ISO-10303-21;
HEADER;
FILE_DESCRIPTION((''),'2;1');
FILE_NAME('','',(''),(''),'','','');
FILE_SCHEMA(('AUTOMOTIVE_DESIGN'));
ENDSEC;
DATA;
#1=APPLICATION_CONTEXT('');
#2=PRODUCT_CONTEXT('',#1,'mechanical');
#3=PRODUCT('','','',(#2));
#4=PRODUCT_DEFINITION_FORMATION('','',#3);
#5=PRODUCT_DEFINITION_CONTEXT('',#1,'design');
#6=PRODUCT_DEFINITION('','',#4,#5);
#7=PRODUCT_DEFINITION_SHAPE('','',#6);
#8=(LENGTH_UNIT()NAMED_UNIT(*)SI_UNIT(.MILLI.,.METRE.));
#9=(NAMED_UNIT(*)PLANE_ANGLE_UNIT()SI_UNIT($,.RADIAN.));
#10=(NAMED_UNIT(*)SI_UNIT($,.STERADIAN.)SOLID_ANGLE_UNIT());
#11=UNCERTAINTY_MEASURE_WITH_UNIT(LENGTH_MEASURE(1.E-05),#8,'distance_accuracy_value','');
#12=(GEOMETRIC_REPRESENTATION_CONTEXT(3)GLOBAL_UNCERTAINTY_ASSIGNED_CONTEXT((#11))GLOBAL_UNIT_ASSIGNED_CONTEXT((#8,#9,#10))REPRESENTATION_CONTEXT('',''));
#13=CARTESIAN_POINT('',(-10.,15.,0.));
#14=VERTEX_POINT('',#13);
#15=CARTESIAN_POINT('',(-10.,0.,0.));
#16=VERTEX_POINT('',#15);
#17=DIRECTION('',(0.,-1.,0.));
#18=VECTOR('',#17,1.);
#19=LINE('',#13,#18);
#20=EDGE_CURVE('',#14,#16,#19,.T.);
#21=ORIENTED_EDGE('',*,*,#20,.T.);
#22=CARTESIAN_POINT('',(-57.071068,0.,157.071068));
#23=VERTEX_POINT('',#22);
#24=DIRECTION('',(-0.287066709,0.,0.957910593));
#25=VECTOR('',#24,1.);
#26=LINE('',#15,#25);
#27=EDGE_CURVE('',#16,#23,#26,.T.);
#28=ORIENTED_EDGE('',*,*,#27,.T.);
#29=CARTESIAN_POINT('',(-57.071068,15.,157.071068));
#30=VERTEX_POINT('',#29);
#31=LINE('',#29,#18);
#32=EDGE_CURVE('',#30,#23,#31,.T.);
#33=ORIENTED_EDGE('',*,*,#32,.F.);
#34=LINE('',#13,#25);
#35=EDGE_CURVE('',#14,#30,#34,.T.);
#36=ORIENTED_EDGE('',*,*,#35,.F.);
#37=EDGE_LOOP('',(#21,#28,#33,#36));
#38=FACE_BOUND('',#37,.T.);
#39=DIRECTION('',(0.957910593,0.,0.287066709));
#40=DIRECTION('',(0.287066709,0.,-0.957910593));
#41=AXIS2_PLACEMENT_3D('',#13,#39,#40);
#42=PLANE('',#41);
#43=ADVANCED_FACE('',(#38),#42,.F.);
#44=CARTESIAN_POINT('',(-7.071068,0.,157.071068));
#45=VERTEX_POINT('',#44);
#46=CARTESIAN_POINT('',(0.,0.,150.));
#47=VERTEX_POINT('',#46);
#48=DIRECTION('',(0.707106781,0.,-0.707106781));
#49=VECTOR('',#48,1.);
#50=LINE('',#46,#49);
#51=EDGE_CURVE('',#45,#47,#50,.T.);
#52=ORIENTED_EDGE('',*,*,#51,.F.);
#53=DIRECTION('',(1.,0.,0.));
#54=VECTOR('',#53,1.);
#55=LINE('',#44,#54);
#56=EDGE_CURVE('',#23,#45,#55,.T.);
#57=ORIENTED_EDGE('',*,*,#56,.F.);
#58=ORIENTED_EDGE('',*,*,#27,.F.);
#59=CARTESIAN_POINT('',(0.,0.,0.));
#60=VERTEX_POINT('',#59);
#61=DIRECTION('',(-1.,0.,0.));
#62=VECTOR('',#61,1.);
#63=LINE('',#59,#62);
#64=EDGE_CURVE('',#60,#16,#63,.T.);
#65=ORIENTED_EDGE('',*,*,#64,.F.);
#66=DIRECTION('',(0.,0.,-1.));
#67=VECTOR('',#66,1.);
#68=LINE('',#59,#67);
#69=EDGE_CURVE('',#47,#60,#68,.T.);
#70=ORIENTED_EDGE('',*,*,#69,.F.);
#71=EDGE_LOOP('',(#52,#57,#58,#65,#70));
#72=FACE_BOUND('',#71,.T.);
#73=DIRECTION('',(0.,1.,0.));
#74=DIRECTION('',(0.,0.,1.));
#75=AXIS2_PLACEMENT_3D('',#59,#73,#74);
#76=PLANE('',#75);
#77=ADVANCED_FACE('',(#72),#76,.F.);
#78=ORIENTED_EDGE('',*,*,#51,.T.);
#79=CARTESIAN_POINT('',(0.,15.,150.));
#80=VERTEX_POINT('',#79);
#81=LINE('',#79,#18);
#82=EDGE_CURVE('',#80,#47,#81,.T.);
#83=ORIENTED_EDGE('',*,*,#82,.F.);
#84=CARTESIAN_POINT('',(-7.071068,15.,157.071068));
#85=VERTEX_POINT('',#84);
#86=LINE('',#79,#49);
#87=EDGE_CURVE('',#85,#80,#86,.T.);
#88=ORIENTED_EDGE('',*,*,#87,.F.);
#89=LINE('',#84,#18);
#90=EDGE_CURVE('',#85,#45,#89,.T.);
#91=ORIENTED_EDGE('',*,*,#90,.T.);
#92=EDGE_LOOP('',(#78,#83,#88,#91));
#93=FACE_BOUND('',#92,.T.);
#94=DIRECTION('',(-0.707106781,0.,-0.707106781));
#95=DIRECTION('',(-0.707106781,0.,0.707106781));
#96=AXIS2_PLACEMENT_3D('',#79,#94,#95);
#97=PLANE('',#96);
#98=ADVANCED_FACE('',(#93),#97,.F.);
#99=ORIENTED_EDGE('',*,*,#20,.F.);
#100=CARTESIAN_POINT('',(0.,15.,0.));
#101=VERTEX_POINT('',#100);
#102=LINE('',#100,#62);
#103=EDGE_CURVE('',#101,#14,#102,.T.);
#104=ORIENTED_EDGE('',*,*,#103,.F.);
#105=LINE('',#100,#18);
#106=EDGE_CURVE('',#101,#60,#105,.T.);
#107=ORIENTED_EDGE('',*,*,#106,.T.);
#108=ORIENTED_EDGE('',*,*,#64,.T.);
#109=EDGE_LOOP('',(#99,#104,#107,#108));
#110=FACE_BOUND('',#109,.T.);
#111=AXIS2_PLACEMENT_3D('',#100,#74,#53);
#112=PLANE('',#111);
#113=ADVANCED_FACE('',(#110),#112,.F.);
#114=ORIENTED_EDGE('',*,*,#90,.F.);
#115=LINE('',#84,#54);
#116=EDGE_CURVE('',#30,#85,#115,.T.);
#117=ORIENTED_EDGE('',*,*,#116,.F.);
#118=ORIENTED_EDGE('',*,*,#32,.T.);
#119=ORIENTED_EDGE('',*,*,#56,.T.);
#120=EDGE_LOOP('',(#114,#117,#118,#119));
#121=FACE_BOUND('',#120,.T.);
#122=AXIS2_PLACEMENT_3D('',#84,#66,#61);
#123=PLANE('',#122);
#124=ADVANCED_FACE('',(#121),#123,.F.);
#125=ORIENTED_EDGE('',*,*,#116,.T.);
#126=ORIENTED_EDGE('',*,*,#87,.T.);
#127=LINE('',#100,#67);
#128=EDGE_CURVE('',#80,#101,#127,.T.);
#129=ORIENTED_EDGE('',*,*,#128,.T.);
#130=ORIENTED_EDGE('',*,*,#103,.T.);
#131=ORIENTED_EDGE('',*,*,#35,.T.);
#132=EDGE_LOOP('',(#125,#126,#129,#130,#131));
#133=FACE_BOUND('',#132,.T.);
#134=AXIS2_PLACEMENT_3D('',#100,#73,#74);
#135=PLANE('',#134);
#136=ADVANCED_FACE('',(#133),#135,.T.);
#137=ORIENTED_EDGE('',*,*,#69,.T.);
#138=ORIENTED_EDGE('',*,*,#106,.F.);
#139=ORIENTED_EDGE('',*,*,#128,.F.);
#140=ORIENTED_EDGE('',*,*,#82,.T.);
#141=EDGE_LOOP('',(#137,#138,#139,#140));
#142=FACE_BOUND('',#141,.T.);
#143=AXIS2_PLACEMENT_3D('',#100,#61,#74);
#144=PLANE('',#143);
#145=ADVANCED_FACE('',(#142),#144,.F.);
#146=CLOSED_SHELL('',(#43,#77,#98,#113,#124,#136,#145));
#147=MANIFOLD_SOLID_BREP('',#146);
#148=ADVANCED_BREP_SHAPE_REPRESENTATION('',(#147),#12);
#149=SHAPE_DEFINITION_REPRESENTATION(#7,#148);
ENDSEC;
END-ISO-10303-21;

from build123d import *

# Parameters (mm, degrees)
BOSS_EXTRUDE1_DEPTH = 15


with BuildPart() as part:
    # Sketch1 → Boss-Extrude1 (new body)
    with BuildSketch(Plane(origin=(0, 0, 0), x_dir=(1, 0, 0), z_dir=(0, 1, 0))):
        Polygon((0, 0), (0, -150), (-7.071067812, -157.071067812), (-57.071067812, -157.071067812), (-10, 0), align=None)
    extrude(amount=BOSS_EXTRUDE1_DEPTH)


solid = part.part
